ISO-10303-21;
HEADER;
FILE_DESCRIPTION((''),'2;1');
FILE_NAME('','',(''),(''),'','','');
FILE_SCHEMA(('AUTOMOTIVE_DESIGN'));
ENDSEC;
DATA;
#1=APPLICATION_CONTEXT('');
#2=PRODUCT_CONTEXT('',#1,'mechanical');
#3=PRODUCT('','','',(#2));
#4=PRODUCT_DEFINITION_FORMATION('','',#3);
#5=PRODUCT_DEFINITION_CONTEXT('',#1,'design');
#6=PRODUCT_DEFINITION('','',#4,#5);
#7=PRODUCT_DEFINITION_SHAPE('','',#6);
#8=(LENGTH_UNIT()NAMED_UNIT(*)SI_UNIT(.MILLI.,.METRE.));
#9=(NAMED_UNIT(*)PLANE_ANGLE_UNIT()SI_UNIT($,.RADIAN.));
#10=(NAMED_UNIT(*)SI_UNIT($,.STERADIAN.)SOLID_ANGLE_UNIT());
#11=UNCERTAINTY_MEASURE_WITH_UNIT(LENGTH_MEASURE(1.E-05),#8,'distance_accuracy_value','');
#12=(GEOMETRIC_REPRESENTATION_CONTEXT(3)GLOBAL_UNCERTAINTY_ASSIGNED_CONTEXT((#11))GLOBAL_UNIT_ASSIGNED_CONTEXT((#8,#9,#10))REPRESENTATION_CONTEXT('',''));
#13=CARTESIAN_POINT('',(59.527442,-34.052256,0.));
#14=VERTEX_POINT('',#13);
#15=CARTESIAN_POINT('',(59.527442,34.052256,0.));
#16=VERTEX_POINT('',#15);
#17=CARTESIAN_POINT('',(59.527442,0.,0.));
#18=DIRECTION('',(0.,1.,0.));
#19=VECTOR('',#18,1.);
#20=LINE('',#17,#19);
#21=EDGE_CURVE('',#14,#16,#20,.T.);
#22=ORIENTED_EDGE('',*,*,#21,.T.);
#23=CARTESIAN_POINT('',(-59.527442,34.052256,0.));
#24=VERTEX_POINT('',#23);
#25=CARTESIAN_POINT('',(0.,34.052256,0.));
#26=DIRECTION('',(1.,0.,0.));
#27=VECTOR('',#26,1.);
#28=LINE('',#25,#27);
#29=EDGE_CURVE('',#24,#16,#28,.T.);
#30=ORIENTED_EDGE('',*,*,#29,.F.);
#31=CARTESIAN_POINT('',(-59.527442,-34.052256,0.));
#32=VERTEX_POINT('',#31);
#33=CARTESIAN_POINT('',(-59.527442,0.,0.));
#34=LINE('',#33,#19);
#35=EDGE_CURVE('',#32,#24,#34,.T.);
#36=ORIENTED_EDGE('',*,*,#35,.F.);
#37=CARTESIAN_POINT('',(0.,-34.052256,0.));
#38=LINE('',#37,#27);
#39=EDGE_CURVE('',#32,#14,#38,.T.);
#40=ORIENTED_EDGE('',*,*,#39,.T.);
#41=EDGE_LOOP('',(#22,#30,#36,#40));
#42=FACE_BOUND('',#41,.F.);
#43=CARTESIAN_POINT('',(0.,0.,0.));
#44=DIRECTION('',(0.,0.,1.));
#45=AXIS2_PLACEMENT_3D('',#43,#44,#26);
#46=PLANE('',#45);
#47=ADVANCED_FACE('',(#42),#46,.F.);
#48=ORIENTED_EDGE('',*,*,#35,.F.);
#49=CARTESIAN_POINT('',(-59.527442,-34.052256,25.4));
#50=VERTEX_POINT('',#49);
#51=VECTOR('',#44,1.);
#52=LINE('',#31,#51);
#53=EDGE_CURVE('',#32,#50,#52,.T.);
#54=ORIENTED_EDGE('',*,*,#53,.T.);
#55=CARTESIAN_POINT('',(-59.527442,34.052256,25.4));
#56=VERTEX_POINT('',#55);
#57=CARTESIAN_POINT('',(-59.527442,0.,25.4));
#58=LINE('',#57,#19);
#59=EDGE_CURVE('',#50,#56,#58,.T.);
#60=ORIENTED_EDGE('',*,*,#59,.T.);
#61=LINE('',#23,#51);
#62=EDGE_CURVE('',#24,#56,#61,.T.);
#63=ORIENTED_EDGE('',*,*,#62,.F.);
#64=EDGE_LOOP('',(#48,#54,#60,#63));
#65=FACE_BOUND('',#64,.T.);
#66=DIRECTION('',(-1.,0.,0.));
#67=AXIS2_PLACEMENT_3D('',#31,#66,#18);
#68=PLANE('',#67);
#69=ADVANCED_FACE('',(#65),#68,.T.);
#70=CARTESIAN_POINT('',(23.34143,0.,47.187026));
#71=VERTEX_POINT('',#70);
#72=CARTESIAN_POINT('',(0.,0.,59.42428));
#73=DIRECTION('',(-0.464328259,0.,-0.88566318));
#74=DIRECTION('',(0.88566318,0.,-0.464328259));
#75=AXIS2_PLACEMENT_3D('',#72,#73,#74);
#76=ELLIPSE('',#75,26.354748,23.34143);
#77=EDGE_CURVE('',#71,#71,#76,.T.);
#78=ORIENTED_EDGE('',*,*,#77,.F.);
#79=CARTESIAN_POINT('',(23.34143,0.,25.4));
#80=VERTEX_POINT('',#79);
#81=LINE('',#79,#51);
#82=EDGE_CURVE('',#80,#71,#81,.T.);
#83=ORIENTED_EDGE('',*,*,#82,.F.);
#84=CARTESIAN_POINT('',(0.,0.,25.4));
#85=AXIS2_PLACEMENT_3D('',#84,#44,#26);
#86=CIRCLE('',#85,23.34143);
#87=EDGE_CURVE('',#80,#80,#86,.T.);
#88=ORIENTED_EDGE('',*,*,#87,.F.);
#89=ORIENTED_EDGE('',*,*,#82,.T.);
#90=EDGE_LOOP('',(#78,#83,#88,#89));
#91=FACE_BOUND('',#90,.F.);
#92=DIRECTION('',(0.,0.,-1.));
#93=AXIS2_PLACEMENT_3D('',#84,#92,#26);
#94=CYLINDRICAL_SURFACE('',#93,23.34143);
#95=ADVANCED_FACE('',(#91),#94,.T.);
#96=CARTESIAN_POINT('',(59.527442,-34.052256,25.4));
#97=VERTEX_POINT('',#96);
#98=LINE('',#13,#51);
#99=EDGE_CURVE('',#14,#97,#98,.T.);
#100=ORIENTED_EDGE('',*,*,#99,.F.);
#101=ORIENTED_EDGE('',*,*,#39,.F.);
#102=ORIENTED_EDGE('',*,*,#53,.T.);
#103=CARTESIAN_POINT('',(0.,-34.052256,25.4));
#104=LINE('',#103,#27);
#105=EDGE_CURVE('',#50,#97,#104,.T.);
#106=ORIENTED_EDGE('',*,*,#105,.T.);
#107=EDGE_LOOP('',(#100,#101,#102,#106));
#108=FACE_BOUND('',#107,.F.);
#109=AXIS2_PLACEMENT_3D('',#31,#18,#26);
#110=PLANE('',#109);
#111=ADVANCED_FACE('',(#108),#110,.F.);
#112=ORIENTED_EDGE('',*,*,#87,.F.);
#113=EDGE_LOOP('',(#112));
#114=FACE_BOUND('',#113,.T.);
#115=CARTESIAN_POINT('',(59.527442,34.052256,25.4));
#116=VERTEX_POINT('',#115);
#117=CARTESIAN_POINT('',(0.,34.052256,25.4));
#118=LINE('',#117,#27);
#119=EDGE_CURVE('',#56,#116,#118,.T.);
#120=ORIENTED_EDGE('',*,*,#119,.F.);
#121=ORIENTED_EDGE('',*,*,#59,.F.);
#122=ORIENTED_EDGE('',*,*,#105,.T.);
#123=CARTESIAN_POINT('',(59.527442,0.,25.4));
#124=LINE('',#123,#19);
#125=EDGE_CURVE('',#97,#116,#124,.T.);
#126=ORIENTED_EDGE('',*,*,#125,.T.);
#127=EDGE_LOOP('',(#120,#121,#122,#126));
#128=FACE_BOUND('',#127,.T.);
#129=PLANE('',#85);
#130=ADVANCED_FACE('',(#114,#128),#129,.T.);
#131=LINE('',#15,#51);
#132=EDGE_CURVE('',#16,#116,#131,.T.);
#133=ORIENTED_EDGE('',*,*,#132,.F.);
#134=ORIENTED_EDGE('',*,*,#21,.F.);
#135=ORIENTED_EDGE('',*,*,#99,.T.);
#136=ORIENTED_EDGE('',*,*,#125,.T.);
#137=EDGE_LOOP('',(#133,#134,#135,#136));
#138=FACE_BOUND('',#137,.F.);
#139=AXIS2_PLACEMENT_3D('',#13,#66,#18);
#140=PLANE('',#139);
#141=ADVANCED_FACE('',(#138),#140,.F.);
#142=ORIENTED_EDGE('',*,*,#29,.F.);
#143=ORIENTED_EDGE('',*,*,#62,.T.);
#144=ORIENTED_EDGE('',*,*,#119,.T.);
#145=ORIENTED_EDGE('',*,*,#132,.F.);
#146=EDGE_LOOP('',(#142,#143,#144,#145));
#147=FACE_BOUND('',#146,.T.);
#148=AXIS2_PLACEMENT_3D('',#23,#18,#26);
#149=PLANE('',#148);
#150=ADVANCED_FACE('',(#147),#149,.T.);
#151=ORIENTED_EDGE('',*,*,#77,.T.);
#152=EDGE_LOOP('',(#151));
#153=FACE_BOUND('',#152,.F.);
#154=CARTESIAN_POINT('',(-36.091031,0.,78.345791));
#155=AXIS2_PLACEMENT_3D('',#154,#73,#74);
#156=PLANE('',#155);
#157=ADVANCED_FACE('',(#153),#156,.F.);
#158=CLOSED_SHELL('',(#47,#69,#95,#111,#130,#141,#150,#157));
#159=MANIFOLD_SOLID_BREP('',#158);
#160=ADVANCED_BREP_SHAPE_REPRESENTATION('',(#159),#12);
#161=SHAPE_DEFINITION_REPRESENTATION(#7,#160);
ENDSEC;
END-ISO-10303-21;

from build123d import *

# Parameters (mm, degrees)
F0_W     = 119.054884
F0_H     = 68.104512
F1_DEPTH = 25.4
F2_R     = 23.34143
F3_DEPTH = 47.244
F5_DEPTH = 32.512


with BuildPart() as f1:
    # F0 (on Top) → F1 (new body)
    with BuildSketch(Plane.XY):
        Rectangle(F0_W, F0_H)
    extrude(amount=F1_DEPTH)

    # F2 (on face) → F3 (join)
    with BuildSketch(Plane.XY.offset(25.4)):
        Circle(F2_R)
    extrude(amount=F3_DEPTH)

    # F4 (on Front) → F5 (cut, symmetric)
    with BuildSketch(Plane.XZ):
        Polygon((40.58107, 78.345791), (-36.091031, 78.345791), (40.58107, 38.148768), align=None)
    extrude(amount=F5_DEPTH, both=True, mode=Mode.SUBTRACT)


solid = f1.part
